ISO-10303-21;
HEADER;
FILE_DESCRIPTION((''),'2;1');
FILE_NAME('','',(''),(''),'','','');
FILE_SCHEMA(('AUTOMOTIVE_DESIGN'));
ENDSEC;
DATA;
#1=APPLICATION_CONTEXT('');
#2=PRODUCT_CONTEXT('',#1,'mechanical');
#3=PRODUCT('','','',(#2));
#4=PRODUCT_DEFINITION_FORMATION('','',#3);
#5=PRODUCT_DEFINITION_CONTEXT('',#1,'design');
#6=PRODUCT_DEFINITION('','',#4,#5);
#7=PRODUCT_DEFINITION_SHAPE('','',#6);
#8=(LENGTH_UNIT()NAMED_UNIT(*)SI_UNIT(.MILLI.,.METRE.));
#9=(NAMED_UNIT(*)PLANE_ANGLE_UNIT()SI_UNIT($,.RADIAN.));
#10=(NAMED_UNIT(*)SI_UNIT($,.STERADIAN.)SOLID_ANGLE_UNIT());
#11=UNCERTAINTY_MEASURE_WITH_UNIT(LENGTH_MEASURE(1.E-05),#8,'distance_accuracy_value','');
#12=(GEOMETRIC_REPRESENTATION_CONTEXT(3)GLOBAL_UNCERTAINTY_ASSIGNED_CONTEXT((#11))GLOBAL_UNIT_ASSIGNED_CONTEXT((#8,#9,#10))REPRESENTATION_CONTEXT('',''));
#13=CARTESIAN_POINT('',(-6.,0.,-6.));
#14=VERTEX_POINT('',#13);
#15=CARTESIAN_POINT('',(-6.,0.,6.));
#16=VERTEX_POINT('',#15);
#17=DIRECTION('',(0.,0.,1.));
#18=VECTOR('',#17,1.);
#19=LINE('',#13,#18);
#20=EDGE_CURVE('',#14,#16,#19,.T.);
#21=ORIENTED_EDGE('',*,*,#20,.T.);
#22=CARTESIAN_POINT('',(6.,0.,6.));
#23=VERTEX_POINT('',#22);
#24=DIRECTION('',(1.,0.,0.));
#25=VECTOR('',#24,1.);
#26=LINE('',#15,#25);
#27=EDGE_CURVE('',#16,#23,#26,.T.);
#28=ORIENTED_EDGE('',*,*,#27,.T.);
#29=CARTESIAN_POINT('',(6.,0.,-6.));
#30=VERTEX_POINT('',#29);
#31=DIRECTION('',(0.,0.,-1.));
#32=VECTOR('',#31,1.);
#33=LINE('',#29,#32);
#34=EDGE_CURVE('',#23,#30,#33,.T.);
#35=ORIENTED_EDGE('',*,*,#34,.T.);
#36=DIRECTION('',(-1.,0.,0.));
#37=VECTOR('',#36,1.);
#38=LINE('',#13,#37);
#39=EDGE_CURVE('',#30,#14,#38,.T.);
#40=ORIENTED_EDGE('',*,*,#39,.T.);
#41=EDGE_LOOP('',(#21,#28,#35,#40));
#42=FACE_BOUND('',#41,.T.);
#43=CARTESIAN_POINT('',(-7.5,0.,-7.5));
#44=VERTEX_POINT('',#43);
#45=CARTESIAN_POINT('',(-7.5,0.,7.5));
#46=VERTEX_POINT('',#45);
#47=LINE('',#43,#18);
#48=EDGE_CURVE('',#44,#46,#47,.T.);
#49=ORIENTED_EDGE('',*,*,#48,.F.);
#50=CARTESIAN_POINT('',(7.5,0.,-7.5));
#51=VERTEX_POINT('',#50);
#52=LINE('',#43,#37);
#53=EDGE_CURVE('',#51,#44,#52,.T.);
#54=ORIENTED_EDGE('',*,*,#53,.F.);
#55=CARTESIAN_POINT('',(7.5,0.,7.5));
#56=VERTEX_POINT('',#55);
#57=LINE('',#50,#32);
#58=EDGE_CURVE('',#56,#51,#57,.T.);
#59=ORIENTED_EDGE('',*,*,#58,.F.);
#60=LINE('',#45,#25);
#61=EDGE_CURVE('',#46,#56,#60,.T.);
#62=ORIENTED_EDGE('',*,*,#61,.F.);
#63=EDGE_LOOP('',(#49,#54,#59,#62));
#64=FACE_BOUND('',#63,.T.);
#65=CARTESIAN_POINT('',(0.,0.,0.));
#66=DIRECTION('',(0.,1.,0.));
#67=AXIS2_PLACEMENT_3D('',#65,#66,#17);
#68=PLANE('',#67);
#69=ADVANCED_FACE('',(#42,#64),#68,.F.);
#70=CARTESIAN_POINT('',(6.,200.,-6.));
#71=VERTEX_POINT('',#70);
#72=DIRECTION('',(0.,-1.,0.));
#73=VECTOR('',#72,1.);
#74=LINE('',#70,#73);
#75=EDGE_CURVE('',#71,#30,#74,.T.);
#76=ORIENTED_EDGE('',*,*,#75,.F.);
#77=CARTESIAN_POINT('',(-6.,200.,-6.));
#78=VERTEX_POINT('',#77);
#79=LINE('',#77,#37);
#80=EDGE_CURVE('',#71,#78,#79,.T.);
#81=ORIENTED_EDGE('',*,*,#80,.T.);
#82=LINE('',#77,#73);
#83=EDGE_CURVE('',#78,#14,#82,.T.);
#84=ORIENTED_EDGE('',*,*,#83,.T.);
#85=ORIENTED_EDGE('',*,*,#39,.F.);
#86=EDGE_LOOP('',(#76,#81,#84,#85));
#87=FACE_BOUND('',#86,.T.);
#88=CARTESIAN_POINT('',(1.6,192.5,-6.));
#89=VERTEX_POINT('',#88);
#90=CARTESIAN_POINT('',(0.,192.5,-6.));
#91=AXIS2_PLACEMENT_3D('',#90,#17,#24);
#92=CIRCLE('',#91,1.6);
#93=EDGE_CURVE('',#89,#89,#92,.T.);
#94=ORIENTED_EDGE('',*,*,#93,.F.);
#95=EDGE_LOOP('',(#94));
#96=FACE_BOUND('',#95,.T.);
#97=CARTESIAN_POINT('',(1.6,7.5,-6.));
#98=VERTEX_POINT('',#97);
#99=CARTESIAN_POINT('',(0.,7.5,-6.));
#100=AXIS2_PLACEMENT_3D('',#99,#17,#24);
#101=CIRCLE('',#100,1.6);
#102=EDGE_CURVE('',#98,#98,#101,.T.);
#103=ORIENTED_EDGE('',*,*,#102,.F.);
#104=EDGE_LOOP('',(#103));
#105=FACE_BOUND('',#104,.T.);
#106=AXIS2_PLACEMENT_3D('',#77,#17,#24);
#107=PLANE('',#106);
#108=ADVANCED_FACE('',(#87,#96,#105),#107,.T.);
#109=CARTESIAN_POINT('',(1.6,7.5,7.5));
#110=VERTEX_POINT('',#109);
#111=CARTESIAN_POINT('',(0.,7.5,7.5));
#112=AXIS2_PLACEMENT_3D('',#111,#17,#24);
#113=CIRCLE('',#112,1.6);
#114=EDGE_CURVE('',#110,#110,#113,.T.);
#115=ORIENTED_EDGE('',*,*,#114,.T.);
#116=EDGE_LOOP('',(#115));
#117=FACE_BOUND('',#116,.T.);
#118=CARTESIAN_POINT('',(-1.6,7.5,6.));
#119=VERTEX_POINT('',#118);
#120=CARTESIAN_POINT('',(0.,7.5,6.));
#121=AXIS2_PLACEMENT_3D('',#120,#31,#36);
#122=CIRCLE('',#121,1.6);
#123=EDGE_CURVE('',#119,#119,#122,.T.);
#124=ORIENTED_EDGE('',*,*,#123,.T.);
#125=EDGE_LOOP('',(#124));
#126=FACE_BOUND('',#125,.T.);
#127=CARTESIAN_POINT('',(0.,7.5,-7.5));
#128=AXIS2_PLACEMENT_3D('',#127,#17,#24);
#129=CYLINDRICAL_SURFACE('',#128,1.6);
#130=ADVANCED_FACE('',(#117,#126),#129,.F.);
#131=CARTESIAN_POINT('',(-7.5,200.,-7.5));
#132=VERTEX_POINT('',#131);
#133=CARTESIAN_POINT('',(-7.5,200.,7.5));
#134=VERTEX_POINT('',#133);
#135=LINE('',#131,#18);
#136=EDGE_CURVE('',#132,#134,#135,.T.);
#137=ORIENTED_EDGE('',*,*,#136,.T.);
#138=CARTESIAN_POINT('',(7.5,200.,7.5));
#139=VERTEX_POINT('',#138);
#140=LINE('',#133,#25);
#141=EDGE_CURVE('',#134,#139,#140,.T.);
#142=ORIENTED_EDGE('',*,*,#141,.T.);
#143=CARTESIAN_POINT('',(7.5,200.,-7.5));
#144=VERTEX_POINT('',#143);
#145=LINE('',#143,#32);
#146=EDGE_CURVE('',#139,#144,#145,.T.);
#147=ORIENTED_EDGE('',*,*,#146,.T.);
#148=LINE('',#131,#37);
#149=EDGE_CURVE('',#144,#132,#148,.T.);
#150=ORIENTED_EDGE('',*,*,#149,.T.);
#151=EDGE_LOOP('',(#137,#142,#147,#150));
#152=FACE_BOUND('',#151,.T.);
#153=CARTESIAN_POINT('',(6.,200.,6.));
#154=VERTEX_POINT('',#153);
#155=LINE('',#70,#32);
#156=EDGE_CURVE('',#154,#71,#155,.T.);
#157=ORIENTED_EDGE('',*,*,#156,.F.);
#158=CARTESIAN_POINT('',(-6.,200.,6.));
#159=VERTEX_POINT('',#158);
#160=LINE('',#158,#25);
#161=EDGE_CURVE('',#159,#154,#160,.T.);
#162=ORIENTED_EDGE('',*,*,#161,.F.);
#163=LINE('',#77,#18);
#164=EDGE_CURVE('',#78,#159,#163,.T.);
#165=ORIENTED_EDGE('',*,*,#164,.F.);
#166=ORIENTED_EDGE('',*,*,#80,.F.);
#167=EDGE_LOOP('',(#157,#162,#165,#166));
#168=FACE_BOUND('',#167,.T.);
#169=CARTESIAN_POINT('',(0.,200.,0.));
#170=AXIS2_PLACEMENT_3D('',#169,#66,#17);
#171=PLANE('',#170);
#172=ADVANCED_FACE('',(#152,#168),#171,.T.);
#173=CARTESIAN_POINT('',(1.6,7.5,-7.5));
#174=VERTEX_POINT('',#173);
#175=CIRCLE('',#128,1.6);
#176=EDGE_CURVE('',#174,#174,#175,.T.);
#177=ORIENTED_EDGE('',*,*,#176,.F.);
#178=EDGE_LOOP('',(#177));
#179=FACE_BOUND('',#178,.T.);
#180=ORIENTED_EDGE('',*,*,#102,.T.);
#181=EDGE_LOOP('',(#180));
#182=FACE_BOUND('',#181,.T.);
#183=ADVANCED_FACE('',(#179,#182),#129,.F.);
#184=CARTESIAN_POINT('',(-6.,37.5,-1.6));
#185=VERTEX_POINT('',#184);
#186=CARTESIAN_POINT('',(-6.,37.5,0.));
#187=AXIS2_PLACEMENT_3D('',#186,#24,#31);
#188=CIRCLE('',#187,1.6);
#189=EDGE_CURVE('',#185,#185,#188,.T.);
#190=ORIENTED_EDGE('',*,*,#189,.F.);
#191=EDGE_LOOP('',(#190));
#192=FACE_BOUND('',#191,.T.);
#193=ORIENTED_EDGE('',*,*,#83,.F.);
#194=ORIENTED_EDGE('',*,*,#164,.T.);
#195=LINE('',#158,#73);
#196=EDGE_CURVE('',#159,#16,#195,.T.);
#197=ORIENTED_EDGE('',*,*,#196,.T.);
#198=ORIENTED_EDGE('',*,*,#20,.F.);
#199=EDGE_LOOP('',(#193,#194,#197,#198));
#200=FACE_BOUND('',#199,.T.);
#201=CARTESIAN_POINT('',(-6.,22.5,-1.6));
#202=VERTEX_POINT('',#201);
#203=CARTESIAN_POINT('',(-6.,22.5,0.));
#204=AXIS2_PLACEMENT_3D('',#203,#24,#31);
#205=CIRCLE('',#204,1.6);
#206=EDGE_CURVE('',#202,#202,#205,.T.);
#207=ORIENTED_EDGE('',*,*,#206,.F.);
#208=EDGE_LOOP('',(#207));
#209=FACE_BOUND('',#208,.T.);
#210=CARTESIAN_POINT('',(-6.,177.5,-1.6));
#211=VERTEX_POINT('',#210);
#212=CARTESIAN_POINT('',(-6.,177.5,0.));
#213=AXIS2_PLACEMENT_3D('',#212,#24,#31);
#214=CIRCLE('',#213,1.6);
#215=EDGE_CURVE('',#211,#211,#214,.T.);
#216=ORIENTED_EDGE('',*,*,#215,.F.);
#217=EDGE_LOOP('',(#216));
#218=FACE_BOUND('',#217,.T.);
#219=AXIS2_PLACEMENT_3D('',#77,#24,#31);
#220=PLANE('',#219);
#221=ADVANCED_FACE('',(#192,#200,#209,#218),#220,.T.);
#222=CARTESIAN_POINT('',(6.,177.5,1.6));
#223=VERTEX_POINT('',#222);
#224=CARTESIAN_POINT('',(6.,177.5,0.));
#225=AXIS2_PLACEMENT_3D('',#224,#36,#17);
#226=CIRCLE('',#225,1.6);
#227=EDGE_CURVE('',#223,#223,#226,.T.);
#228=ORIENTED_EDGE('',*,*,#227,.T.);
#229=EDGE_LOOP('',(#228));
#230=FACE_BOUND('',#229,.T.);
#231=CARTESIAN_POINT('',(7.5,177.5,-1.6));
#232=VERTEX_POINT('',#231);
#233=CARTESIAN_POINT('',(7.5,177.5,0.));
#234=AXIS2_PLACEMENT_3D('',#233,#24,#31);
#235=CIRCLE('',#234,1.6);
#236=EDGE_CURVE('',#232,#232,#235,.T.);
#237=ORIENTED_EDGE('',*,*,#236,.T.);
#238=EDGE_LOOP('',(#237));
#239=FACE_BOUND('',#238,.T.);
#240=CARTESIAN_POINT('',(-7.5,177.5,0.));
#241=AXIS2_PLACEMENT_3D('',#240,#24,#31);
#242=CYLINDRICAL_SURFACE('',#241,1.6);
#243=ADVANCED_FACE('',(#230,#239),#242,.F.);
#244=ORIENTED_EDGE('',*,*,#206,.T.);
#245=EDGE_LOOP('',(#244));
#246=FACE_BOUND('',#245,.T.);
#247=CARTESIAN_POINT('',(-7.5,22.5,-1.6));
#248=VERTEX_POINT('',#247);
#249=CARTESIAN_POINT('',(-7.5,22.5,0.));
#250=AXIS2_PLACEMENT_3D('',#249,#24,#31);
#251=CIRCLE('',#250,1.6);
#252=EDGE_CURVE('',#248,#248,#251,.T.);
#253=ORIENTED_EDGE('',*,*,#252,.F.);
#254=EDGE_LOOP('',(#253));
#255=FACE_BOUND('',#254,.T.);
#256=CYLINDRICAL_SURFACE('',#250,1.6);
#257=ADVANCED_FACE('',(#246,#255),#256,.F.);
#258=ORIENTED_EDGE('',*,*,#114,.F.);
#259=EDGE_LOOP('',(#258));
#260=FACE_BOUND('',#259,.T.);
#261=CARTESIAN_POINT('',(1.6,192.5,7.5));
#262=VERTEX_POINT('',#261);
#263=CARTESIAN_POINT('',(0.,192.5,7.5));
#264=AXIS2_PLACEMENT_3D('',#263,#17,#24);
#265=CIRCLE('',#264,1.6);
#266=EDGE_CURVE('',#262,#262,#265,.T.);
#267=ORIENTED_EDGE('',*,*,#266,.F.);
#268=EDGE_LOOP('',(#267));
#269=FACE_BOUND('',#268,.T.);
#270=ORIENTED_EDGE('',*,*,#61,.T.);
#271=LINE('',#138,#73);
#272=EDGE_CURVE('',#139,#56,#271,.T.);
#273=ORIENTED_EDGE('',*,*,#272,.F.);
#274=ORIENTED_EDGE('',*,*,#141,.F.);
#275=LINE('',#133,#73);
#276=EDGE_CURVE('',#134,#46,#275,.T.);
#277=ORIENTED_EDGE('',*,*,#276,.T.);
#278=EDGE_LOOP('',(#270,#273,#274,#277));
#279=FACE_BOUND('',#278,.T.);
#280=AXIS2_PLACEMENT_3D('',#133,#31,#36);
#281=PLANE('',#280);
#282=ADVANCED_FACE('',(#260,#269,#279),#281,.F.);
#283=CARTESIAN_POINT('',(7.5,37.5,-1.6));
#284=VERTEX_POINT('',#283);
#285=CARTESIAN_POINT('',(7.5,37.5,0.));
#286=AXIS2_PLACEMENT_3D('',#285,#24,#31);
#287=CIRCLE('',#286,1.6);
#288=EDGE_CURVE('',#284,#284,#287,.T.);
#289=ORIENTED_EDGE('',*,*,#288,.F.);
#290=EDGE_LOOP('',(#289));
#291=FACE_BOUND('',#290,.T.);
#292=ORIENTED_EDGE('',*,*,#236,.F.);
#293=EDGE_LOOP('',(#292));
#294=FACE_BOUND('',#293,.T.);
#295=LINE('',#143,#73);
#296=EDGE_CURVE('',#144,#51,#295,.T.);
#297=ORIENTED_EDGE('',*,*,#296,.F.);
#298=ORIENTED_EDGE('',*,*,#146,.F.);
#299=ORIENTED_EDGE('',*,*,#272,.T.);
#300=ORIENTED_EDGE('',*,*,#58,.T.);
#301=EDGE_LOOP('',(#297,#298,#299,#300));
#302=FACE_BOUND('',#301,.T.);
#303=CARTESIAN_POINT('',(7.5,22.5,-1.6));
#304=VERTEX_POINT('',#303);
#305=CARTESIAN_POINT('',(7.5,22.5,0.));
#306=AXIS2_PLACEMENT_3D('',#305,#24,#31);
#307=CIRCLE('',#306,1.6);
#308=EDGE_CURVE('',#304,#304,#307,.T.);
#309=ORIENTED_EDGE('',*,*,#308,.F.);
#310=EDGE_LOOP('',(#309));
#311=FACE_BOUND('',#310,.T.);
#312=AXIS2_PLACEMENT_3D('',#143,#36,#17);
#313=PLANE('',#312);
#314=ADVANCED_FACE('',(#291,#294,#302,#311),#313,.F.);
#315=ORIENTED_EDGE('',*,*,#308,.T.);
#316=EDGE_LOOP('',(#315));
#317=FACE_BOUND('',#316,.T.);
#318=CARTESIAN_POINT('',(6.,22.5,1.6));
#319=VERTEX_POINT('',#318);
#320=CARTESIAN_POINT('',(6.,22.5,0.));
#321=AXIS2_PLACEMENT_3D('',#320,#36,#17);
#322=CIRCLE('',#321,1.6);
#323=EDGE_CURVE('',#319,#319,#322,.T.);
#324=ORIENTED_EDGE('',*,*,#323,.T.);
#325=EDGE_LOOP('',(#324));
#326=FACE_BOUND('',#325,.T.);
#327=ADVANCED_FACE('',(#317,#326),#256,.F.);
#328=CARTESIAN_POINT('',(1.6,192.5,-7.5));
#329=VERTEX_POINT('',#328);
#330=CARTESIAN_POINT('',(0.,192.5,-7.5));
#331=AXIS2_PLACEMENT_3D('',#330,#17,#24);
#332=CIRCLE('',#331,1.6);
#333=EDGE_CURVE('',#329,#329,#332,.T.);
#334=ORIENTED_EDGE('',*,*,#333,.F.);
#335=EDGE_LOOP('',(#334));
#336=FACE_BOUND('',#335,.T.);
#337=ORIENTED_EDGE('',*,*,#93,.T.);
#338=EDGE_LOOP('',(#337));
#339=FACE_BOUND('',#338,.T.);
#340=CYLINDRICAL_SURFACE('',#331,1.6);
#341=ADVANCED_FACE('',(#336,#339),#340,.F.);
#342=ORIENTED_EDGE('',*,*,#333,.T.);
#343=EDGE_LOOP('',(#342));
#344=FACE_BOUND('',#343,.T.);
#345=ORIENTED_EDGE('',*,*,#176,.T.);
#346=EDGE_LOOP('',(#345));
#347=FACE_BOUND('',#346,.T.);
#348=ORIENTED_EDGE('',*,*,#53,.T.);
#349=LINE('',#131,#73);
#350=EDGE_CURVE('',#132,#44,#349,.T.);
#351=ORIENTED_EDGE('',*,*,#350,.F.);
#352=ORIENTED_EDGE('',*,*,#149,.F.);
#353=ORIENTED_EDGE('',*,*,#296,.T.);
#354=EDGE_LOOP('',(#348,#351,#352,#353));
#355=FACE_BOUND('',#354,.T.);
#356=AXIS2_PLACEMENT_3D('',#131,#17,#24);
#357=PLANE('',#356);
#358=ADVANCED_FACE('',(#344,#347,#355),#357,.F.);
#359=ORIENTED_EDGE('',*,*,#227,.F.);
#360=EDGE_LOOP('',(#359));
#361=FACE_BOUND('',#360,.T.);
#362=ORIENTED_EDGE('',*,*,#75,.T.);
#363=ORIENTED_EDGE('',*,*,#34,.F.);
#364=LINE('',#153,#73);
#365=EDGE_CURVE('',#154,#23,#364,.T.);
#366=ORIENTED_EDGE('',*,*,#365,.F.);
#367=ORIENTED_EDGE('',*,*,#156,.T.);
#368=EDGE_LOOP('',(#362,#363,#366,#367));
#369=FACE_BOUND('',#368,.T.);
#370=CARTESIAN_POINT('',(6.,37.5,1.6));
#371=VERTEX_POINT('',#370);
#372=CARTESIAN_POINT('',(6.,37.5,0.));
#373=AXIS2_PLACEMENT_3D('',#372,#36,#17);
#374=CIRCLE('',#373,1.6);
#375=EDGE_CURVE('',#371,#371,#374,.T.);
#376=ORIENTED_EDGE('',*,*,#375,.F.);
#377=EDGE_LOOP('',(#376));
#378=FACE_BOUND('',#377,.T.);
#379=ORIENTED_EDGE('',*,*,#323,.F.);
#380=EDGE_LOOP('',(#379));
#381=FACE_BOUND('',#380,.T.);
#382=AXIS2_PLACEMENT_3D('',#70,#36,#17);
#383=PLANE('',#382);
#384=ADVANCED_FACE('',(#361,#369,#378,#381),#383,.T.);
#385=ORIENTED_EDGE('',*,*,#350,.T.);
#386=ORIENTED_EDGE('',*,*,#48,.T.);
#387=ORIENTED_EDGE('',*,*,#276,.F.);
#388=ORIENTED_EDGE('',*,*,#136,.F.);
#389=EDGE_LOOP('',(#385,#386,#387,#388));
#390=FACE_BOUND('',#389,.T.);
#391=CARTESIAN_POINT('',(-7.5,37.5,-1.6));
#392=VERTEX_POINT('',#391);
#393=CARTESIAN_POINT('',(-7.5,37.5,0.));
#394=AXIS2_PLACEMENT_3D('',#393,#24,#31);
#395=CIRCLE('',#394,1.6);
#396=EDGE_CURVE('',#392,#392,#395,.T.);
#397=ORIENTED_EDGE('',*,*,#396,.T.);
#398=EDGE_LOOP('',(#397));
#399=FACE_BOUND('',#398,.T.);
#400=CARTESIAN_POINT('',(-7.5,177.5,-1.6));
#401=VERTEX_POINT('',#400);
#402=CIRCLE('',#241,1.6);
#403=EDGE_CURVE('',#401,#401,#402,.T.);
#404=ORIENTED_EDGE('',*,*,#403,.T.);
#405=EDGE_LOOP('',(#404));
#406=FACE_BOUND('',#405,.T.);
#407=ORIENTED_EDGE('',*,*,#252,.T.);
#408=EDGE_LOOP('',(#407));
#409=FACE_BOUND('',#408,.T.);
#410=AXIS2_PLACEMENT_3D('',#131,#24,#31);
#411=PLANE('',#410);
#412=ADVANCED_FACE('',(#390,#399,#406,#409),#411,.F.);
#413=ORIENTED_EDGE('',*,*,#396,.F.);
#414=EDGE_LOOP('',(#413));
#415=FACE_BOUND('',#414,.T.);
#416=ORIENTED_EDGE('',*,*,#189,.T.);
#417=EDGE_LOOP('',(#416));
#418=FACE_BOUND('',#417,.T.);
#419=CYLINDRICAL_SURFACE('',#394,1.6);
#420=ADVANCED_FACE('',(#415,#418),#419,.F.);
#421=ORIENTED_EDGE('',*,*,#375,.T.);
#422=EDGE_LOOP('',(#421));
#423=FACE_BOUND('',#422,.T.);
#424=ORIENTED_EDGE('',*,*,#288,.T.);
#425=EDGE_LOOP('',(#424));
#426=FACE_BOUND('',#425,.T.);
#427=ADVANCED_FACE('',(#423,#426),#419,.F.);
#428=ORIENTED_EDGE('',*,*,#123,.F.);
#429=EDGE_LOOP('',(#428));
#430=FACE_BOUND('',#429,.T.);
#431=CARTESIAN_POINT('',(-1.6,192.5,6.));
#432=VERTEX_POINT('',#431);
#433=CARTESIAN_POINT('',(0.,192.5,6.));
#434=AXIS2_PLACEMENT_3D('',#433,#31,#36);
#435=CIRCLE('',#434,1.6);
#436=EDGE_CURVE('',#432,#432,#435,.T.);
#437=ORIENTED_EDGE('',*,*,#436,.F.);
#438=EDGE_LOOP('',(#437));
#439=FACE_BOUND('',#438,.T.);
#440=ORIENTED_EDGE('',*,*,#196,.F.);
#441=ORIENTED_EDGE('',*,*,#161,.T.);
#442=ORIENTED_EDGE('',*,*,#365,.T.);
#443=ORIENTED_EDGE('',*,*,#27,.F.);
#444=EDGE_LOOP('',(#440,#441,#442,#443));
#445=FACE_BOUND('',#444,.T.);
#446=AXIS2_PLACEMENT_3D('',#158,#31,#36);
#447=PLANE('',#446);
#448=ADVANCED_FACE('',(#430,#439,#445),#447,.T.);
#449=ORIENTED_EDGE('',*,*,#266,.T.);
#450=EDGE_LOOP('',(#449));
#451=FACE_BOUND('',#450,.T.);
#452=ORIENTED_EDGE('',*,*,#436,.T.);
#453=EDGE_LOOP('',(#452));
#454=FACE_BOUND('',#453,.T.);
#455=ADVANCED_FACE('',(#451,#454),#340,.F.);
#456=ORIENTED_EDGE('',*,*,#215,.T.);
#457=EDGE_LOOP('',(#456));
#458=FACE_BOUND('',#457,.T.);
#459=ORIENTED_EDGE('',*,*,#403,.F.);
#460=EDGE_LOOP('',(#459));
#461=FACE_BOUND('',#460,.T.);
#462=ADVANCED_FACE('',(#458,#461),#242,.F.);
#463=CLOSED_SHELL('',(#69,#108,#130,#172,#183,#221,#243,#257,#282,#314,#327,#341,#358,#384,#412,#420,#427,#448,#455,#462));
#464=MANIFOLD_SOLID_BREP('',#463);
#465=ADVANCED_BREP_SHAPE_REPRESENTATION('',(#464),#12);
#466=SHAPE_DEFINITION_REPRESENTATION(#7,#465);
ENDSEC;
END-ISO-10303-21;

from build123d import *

# Parameters (mm, degrees)
SKETCH_1_W          = 15
SKETCH_1_H          = 15
SKETCH_1_W_2        = 12
SKETCH_1_H_2        = 12
EXTRUDE_1_DEPTH     = 200
SKETCH_2_R          = 1.6
CUT_EXTRUDE_1_DEPTH = 201.701893364
SKETCH_3_R          = 1.6
CUT_EXTRUDE_2_DEPTH = 201.701893364


with BuildPart() as part:
    # ｽｹｯﾁ1 → ﾎﾞｽ - 押し出し1 (new body)
    with BuildSketch(Plane(origin=(0, 0, 0), x_dir=(1, 0, 0), z_dir=(0, 1, 0))):
        Rectangle(SKETCH_1_W, SKETCH_1_H)
        Rectangle(SKETCH_1_W_2, SKETCH_1_H_2, mode=Mode.SUBTRACT)
    extrude(amount=EXTRUDE_1_DEPTH)

    # ｽｹｯﾁ2 → ｶｯﾄ - 押し出し1 (cut, through all)
    with BuildSketch(Plane.XY.offset(7.5)):
        with Locations((0, 192.5)):
            Circle(SKETCH_2_R)
        with Locations((0, 7.5)):
            Circle(SKETCH_2_R)
    extrude(amount=-CUT_EXTRUDE_1_DEPTH, mode=Mode.SUBTRACT)

    # ｽｹｯﾁ3 → ｶｯﾄ - 押し出し2 (cut, through all)
    with BuildSketch(Plane(origin=(7.5, 0, 0), x_dir=(0, 0, -1), z_dir=(1, 0, 0))):
        with Locations((0, 177.5)):
            Circle(SKETCH_3_R)
        with Locations((0, 22.5)):
            Circle(SKETCH_3_R)
        with Locations((0, 37.5)):
            Circle(SKETCH_3_R)
    extrude(amount=-CUT_EXTRUDE_2_DEPTH, mode=Mode.SUBTRACT)


solid = part.part
